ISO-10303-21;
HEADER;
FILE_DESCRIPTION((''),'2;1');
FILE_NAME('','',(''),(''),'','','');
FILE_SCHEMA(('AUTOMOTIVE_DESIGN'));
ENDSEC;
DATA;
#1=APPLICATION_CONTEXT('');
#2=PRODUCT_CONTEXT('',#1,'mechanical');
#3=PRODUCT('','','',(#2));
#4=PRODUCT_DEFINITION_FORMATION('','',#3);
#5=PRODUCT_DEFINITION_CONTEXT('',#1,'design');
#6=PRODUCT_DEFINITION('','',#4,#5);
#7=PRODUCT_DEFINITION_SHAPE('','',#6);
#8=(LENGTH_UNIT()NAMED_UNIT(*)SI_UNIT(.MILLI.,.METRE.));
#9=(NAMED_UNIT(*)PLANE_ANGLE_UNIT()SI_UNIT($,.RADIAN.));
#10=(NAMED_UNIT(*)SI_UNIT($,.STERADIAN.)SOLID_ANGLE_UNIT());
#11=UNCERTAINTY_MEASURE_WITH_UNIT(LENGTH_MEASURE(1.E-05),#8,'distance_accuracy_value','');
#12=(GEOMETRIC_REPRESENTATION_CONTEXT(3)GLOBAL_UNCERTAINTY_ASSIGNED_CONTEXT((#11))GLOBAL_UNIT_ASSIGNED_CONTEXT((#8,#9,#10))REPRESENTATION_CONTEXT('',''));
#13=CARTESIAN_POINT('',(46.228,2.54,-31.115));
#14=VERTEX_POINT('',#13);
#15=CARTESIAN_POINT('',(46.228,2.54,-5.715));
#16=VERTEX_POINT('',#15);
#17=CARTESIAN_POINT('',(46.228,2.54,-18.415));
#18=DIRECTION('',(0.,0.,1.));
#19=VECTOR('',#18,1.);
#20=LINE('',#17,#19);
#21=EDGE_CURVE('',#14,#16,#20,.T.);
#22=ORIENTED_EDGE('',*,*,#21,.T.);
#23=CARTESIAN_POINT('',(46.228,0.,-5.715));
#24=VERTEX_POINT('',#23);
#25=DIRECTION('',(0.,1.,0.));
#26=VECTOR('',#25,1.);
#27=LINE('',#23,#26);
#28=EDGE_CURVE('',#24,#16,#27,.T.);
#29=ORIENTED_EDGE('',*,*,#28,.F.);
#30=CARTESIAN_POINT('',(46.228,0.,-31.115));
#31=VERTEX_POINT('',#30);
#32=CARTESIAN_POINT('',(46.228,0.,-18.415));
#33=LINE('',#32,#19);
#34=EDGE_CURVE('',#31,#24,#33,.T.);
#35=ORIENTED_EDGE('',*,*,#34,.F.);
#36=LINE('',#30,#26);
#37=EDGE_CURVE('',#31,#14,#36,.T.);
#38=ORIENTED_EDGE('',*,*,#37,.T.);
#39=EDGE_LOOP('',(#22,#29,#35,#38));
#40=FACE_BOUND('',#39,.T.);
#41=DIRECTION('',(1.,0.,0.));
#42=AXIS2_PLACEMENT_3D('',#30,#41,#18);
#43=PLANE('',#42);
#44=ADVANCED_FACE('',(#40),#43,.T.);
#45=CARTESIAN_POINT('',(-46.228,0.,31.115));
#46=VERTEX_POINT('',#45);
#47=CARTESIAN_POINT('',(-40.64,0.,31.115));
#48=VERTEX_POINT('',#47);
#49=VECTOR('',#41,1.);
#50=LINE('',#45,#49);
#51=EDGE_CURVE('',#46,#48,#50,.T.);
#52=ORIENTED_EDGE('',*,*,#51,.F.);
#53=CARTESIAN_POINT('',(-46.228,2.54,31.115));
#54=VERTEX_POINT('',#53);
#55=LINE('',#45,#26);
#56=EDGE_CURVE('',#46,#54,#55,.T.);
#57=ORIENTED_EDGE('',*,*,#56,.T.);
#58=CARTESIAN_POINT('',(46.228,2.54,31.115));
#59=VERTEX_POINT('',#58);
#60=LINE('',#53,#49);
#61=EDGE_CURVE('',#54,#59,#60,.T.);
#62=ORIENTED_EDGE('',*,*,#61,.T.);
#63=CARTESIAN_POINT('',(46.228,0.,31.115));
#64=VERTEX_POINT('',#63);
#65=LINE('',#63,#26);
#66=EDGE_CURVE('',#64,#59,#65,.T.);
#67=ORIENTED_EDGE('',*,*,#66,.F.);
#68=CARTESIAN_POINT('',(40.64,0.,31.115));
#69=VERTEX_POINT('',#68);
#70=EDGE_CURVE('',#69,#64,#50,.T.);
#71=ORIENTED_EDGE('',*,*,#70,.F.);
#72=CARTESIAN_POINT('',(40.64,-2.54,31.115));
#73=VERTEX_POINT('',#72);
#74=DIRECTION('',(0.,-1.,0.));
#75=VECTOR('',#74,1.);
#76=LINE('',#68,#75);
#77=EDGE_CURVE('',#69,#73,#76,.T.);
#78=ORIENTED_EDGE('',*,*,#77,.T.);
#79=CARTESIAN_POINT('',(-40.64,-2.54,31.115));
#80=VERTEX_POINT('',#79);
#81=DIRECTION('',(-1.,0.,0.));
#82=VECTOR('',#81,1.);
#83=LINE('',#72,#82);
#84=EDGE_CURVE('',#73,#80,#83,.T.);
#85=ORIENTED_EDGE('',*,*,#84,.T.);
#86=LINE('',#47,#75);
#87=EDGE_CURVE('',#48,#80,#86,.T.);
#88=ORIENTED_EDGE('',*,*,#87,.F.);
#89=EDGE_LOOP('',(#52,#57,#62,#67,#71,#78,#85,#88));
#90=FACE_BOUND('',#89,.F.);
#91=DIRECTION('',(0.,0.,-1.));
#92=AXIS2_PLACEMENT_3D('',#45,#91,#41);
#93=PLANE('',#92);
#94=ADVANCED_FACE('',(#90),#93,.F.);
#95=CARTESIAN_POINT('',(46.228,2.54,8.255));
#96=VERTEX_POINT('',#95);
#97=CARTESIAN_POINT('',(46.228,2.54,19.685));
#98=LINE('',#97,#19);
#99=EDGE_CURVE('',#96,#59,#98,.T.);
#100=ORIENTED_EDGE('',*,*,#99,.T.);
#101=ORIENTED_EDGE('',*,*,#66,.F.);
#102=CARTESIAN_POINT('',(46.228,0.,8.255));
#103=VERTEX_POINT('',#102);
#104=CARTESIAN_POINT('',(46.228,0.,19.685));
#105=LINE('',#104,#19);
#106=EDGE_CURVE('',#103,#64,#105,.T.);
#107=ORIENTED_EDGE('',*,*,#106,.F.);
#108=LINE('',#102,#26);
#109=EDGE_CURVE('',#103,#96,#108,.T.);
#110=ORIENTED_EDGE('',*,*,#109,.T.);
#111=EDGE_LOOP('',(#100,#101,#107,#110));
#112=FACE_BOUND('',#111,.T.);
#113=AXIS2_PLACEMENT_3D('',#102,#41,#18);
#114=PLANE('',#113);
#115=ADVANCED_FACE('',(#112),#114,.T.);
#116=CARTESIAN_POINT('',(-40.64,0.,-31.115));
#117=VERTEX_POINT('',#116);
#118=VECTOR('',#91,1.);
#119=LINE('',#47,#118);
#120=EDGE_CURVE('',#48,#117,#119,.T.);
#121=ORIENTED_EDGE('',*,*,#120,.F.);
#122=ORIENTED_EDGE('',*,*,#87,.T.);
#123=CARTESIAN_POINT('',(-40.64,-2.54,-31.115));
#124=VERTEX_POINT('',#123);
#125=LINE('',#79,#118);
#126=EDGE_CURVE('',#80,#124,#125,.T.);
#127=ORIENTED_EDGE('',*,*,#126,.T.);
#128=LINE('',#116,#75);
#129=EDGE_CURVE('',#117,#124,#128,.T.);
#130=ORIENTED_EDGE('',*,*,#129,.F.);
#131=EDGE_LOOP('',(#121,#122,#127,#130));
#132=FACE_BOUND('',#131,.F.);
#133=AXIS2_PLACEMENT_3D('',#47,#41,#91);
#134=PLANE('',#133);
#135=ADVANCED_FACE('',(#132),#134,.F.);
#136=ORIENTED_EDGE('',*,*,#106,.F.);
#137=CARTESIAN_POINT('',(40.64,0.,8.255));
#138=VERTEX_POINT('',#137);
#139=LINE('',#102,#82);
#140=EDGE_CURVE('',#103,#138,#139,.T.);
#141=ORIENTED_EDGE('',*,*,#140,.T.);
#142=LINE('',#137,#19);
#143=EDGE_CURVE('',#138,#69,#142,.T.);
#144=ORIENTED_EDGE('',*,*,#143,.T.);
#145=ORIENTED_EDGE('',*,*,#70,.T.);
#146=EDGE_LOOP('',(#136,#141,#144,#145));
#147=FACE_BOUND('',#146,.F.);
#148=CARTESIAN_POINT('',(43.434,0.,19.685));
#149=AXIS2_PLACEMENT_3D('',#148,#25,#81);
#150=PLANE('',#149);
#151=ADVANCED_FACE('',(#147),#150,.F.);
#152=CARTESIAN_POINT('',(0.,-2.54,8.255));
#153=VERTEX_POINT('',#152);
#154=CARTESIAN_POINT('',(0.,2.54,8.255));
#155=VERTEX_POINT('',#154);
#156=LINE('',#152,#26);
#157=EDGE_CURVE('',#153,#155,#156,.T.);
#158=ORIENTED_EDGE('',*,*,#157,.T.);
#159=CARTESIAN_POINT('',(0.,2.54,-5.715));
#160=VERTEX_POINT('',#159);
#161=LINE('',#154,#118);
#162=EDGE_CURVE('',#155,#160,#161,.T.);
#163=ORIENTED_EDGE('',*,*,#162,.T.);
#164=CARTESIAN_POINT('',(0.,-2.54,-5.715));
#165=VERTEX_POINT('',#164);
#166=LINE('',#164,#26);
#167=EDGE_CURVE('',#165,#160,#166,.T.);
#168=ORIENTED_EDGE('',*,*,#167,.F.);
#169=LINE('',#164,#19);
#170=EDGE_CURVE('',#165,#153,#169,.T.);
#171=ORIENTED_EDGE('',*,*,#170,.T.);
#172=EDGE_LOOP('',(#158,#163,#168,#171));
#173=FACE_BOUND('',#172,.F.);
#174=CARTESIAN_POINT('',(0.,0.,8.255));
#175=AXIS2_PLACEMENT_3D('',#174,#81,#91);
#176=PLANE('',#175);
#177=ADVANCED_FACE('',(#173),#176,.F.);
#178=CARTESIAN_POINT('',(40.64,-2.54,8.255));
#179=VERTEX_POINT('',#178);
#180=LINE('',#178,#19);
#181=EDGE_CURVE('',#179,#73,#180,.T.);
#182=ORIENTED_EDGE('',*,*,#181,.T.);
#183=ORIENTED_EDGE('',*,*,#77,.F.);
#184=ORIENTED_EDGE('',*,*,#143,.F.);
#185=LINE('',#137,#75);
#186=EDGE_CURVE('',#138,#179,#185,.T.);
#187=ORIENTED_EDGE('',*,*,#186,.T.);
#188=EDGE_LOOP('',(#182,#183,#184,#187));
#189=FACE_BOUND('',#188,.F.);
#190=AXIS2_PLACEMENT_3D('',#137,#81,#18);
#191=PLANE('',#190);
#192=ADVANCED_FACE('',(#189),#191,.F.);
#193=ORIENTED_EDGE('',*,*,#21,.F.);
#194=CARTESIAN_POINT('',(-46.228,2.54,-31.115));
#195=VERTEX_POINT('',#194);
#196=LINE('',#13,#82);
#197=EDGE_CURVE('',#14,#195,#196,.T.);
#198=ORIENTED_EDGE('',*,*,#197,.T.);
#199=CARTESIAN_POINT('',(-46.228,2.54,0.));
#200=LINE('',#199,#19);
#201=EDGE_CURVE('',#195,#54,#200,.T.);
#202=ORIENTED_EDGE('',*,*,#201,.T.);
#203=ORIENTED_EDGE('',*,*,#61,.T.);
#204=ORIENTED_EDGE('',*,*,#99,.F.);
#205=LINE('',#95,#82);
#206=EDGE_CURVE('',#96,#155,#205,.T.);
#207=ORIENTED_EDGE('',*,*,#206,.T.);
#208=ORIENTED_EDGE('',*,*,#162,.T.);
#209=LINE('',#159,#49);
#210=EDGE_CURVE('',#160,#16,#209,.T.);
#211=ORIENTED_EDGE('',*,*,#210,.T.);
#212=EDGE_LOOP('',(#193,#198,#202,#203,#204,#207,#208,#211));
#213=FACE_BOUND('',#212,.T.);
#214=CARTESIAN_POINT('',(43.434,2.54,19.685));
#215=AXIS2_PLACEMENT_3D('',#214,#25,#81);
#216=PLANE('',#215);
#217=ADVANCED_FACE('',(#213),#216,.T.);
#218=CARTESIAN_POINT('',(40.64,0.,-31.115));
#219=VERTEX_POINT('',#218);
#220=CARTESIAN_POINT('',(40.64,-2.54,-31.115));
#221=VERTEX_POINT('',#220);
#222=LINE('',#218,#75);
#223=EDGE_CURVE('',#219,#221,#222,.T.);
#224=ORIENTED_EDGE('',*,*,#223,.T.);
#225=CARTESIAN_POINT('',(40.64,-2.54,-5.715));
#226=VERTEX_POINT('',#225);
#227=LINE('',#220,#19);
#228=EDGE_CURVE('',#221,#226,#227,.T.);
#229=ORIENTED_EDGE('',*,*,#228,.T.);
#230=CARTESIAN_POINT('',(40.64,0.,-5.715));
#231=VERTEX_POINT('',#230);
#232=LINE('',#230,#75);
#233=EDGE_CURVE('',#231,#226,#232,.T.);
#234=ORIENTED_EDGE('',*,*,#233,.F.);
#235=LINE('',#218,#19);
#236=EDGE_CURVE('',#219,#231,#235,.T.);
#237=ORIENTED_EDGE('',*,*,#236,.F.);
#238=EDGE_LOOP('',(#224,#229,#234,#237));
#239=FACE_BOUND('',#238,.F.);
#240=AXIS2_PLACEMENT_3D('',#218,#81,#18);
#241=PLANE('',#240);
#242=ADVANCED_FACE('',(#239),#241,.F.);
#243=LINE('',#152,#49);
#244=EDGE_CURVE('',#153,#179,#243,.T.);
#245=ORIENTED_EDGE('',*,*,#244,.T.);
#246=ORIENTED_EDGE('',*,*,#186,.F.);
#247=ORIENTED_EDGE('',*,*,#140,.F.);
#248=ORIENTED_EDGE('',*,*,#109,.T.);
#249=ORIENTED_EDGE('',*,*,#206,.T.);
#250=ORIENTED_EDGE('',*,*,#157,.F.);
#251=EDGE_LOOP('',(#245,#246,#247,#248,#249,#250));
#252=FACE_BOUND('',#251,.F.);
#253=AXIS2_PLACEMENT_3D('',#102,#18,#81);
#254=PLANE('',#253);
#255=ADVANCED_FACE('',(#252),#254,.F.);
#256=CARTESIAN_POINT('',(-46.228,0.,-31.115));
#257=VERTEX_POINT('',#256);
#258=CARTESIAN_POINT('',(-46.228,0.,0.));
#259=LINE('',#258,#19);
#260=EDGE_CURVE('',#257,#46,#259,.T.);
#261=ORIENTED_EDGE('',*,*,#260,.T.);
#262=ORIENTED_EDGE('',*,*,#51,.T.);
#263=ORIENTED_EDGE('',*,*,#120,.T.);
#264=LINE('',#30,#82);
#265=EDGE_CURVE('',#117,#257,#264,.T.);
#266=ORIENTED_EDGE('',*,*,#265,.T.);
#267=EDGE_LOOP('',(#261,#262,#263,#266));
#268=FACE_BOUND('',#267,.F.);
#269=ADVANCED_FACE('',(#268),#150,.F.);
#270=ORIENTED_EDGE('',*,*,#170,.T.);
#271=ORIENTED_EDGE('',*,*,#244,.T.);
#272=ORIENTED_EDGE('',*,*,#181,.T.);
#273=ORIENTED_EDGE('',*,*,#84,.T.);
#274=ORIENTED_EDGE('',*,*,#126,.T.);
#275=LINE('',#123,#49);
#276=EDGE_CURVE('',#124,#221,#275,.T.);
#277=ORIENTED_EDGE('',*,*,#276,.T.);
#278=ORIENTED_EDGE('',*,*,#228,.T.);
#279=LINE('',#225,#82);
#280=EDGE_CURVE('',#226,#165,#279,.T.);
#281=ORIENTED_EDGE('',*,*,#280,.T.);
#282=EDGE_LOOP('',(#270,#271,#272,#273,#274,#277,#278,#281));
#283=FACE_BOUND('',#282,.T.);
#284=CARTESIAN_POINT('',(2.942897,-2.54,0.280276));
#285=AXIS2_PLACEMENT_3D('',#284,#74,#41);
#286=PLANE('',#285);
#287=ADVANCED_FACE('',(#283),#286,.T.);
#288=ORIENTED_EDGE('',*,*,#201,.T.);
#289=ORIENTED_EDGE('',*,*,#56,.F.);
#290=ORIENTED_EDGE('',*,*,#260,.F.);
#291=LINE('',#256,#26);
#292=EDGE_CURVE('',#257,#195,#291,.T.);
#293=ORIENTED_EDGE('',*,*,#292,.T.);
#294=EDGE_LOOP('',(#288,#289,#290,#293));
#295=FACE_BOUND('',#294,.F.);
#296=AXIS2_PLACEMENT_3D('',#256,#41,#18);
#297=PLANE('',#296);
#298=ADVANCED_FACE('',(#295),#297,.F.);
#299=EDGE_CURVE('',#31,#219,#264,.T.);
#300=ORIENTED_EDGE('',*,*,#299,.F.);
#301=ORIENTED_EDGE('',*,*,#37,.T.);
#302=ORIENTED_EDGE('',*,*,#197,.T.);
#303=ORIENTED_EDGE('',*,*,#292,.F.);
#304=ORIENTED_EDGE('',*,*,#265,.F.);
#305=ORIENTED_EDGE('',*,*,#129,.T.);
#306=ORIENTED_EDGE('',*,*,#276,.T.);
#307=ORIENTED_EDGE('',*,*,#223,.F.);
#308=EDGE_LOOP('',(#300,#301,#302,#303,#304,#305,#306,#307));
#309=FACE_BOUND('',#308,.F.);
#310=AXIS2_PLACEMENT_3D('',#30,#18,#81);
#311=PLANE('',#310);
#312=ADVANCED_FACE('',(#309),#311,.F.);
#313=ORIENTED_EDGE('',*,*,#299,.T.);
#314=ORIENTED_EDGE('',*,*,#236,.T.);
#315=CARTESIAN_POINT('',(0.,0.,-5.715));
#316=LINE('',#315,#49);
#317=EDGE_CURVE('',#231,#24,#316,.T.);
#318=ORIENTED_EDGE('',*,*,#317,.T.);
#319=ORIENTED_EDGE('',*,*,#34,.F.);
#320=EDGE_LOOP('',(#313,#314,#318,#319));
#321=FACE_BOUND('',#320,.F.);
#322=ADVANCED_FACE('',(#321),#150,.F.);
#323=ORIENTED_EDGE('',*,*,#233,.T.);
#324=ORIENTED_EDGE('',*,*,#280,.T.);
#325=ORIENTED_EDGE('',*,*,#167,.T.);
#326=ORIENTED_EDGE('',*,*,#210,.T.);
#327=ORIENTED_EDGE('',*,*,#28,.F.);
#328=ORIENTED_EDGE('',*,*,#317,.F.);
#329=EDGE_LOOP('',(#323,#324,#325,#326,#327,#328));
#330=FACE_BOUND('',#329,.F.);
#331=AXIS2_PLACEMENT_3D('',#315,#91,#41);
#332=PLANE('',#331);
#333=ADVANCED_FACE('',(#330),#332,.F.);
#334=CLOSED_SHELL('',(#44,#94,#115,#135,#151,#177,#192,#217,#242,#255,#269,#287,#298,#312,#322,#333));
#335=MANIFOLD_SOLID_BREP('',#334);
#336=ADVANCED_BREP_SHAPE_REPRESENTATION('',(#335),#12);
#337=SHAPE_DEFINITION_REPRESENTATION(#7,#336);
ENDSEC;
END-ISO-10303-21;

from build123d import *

# Parameters (mm, degrees)
F1_DEPTH = 2.54
F2_W     = 5.588
F2_H     = 22.86
F2_H_2   = 25.4
F2_H_3   = 62.23
F3_DEPTH = 2.54


with BuildPart() as f1:
    # F0 (on Front) → F1 (new body)
    with BuildSketch(Plane.XZ):
        Polygon((40.64, 8.255), (40.64, 31.115), (-40.64, 31.115), (-40.64, -31.115), (40.64, -31.115), (40.64, -5.715), (0, -5.715), (0, 8.255), align=None)
    extrude(amount=F1_DEPTH)

    # F2 (on face) → F3 (join)
    with BuildSketch(Plane(origin=(0, 0, 0), x_dir=(-1, 0, 0), z_dir=(0, 1, 0))):
        with Locations((-43.434, 19.685)):
            Rectangle(F2_W, F2_H)
        Polygon((40.64, 31.115), (-40.64, 31.115), (-40.64, 8.255), (0, 8.255), (0, -5.715), (-40.64, -5.715), (-40.64, -31.115), (40.64, -31.115), align=None)
        with Locations((-43.434, -18.415)):
            Rectangle(F2_W, F2_H_2)
        with Locations((43.434, 0)):
            Rectangle(F2_W, F2_H_3)
    extrude(amount=F3_DEPTH)


solid = f1.part
